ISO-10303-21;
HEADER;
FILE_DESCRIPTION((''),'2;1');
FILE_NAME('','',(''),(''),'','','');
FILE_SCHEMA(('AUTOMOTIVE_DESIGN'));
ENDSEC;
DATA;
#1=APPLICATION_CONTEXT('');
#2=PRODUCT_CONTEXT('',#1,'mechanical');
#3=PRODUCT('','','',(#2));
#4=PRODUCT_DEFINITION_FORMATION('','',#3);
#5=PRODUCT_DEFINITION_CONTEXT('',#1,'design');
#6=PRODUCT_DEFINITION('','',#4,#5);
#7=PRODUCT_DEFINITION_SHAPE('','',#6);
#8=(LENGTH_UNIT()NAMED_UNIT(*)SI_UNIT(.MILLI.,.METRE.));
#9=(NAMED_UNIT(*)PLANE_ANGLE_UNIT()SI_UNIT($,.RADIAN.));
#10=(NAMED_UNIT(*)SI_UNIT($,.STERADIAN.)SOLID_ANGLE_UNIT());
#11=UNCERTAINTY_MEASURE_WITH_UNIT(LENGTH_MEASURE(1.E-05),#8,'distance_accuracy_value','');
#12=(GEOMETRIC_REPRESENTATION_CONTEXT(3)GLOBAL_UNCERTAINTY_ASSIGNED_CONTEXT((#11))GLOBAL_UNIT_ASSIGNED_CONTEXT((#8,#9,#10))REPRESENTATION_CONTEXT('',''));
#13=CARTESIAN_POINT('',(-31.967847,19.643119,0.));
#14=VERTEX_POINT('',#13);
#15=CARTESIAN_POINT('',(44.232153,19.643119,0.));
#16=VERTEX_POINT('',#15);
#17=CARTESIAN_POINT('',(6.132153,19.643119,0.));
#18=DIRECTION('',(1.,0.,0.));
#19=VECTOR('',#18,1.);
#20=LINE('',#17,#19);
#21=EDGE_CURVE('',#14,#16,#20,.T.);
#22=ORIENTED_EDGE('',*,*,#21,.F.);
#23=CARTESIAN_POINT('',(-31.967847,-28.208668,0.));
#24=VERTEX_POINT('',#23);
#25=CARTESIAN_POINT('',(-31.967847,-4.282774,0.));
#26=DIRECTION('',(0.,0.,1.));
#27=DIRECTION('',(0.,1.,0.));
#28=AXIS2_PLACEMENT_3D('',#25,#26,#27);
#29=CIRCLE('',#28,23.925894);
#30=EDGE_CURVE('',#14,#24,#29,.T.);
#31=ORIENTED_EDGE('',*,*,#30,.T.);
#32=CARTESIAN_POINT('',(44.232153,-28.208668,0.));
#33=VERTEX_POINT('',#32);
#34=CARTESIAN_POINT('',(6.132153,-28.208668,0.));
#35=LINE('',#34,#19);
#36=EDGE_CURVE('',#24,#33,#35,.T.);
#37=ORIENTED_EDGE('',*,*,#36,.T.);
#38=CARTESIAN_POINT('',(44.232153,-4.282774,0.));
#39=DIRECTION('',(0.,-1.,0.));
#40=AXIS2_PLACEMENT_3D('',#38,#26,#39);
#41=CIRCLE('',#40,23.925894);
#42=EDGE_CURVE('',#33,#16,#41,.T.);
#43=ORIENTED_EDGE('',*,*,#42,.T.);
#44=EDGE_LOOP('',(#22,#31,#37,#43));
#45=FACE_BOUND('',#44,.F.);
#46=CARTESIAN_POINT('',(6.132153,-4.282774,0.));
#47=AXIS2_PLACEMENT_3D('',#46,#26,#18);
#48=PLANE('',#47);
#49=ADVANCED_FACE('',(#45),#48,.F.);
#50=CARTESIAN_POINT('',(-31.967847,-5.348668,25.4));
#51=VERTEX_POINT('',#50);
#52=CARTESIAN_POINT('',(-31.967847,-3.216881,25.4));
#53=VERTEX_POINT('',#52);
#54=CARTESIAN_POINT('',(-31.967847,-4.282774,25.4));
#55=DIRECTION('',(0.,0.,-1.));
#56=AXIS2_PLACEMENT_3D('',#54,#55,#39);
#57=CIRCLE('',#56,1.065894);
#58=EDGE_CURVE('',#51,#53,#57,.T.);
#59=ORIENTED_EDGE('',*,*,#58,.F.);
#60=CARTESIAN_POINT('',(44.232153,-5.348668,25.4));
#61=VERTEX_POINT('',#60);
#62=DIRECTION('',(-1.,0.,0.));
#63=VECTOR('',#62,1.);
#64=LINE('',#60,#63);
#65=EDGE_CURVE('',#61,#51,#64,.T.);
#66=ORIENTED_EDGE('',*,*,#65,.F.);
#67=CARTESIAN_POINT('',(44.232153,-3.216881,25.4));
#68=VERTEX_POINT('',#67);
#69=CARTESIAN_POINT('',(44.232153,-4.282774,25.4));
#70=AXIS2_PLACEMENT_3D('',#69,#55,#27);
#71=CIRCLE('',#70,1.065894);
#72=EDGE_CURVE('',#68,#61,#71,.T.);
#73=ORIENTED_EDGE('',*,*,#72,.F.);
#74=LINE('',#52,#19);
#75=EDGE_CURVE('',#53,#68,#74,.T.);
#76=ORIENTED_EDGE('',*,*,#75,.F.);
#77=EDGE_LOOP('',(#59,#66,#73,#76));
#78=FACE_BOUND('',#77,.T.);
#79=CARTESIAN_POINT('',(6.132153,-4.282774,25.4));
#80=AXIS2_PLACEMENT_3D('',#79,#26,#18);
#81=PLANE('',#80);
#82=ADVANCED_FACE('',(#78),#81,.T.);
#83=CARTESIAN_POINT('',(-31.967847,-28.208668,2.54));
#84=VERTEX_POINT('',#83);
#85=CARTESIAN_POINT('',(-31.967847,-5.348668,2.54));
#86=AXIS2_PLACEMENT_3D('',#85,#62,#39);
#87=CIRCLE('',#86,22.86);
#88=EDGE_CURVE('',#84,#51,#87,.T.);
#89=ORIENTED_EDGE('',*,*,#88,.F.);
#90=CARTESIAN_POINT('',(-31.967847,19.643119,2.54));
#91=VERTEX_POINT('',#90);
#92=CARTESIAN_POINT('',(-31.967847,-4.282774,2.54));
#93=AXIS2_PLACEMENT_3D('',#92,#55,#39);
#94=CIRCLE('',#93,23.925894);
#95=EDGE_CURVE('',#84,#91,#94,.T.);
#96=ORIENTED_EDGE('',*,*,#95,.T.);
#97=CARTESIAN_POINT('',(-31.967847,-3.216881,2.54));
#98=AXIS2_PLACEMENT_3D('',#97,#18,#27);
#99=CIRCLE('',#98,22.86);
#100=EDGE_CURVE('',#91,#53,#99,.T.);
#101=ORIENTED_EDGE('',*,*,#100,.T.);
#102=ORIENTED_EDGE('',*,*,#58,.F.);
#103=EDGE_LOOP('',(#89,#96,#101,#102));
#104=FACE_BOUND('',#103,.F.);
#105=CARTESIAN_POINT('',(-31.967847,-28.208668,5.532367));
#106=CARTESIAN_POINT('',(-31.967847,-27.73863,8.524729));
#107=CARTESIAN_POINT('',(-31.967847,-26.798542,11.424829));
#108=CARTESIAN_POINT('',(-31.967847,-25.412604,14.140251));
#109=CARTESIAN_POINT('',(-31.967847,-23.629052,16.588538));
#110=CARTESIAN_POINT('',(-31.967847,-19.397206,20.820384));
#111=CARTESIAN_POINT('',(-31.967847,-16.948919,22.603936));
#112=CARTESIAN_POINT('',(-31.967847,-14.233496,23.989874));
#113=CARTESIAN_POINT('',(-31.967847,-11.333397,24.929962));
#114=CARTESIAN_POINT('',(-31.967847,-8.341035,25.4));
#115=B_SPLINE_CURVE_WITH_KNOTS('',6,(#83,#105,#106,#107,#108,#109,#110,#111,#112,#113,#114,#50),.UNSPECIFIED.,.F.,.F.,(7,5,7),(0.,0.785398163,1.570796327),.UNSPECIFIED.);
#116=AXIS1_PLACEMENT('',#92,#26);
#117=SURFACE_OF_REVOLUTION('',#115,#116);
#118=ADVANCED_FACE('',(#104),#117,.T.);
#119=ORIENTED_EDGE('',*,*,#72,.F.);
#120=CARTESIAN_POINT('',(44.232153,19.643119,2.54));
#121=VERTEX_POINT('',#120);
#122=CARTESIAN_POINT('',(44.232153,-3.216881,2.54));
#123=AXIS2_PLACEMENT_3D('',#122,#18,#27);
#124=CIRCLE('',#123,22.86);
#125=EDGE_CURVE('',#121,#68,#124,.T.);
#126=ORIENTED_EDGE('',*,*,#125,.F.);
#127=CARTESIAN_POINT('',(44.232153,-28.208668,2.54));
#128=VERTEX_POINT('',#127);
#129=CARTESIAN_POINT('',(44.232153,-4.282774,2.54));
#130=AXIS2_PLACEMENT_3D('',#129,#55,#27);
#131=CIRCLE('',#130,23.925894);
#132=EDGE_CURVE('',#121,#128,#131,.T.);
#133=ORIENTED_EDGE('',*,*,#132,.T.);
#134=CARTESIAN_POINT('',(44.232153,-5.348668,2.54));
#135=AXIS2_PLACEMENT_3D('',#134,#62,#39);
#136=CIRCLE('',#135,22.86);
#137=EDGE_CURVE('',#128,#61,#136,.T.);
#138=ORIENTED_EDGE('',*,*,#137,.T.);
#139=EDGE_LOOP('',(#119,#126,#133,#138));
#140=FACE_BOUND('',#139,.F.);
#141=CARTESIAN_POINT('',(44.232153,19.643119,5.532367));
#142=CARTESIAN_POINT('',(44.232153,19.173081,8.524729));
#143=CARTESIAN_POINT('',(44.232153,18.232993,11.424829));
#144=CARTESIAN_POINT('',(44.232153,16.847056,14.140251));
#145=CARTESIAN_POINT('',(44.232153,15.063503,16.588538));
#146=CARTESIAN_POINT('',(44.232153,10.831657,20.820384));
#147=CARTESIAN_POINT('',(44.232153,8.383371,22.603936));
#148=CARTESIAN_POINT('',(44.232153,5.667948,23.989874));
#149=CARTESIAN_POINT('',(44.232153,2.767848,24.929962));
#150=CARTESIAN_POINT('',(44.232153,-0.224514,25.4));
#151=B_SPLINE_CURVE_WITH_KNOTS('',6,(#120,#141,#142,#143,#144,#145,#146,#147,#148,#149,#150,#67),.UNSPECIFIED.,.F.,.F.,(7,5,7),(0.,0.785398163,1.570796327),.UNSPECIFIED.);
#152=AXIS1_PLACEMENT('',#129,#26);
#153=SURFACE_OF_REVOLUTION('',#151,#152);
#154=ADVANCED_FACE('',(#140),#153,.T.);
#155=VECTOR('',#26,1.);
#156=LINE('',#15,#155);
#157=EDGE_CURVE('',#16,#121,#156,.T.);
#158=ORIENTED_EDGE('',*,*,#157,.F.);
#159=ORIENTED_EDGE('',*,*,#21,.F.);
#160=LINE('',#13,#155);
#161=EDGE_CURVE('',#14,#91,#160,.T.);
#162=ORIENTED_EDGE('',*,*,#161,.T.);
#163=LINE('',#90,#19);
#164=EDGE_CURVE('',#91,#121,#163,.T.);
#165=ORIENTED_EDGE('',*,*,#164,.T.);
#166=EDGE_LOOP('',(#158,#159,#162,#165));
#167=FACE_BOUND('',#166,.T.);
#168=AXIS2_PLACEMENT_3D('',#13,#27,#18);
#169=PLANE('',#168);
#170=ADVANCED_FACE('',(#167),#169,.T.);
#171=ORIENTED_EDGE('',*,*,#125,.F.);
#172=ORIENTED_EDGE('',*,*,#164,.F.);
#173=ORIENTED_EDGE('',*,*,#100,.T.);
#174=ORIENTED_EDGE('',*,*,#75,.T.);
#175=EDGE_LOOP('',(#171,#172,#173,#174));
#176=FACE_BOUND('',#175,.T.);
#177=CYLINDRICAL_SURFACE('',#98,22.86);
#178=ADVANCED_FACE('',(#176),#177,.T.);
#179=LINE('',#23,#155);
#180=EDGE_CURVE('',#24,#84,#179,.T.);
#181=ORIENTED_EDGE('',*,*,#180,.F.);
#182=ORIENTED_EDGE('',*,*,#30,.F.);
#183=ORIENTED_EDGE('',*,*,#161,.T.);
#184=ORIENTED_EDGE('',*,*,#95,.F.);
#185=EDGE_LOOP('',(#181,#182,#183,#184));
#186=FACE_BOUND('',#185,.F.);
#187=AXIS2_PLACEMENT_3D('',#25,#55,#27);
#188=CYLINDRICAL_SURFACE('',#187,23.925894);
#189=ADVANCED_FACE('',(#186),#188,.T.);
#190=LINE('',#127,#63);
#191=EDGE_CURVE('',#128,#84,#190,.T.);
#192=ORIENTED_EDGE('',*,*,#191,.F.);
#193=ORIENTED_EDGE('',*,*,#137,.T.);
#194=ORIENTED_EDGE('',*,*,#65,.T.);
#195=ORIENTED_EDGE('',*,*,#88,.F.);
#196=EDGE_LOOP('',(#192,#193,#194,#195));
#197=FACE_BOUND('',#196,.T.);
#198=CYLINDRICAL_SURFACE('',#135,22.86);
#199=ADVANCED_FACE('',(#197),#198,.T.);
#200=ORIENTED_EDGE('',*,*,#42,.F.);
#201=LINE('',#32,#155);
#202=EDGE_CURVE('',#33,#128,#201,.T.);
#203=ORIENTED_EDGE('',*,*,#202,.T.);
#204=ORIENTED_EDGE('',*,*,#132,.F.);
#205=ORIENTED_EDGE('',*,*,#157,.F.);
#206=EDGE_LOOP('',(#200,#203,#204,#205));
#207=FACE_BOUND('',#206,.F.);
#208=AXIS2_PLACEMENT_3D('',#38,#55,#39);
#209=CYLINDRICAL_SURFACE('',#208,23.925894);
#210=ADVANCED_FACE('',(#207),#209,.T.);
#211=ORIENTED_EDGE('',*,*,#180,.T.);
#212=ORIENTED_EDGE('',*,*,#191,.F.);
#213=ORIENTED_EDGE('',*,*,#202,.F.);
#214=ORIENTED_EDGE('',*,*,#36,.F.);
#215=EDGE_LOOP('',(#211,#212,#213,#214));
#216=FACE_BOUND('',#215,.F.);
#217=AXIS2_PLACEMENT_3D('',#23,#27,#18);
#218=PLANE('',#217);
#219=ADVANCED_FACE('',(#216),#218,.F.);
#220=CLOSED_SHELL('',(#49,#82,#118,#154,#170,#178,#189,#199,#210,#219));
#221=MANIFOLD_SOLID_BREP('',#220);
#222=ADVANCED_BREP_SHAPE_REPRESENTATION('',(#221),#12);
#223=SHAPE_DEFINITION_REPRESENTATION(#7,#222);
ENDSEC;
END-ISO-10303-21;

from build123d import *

# Parameters (mm, degrees)
F0_W     = 76.2
F0_H     = 47.8517871028
F1_DEPTH = 25.4
F2_R     = 22.86


with BuildPart() as f1:
    # F0 (on Top) → F1 (new body)
    with BuildSketch(Plane.XY):
        with Locations((6.1321528628, -4.2827744037)):
            Rectangle(F0_W, F0_H)
        with BuildLine():
            Line((-31.9678471372, -28.2086679551), (-31.9678471372, 19.6431191477))
            ThreePointArc((-31.9678471372, 19.6431191477), (-55.8937406885, -4.2827744037), (-31.9678471372, -28.2086679551))
        make_face()
        with BuildLine():
            ThreePointArc((44.2321528628, -28.2086679551), (68.1580464142, -4.2827744037), (44.2321528628, 19.6431191477))
            Line((44.2321528628, 19.6431191477), (44.2321528628, -28.2086679551))
        make_face()
    extrude(amount=F1_DEPTH)

    # F2
    f2_edges = [f1.edges().sort_by_distance(p)[0] for p in [
        (6.132153, 19.643119, 25.4),
        (-55.893741, -4.282774, 25.4),
        (6.132153, -28.208668, 25.4),
        (68.158046, -4.282774, 25.4),
    ]]
    fillet(f2_edges, radius=F2_R)


solid = f1.part
